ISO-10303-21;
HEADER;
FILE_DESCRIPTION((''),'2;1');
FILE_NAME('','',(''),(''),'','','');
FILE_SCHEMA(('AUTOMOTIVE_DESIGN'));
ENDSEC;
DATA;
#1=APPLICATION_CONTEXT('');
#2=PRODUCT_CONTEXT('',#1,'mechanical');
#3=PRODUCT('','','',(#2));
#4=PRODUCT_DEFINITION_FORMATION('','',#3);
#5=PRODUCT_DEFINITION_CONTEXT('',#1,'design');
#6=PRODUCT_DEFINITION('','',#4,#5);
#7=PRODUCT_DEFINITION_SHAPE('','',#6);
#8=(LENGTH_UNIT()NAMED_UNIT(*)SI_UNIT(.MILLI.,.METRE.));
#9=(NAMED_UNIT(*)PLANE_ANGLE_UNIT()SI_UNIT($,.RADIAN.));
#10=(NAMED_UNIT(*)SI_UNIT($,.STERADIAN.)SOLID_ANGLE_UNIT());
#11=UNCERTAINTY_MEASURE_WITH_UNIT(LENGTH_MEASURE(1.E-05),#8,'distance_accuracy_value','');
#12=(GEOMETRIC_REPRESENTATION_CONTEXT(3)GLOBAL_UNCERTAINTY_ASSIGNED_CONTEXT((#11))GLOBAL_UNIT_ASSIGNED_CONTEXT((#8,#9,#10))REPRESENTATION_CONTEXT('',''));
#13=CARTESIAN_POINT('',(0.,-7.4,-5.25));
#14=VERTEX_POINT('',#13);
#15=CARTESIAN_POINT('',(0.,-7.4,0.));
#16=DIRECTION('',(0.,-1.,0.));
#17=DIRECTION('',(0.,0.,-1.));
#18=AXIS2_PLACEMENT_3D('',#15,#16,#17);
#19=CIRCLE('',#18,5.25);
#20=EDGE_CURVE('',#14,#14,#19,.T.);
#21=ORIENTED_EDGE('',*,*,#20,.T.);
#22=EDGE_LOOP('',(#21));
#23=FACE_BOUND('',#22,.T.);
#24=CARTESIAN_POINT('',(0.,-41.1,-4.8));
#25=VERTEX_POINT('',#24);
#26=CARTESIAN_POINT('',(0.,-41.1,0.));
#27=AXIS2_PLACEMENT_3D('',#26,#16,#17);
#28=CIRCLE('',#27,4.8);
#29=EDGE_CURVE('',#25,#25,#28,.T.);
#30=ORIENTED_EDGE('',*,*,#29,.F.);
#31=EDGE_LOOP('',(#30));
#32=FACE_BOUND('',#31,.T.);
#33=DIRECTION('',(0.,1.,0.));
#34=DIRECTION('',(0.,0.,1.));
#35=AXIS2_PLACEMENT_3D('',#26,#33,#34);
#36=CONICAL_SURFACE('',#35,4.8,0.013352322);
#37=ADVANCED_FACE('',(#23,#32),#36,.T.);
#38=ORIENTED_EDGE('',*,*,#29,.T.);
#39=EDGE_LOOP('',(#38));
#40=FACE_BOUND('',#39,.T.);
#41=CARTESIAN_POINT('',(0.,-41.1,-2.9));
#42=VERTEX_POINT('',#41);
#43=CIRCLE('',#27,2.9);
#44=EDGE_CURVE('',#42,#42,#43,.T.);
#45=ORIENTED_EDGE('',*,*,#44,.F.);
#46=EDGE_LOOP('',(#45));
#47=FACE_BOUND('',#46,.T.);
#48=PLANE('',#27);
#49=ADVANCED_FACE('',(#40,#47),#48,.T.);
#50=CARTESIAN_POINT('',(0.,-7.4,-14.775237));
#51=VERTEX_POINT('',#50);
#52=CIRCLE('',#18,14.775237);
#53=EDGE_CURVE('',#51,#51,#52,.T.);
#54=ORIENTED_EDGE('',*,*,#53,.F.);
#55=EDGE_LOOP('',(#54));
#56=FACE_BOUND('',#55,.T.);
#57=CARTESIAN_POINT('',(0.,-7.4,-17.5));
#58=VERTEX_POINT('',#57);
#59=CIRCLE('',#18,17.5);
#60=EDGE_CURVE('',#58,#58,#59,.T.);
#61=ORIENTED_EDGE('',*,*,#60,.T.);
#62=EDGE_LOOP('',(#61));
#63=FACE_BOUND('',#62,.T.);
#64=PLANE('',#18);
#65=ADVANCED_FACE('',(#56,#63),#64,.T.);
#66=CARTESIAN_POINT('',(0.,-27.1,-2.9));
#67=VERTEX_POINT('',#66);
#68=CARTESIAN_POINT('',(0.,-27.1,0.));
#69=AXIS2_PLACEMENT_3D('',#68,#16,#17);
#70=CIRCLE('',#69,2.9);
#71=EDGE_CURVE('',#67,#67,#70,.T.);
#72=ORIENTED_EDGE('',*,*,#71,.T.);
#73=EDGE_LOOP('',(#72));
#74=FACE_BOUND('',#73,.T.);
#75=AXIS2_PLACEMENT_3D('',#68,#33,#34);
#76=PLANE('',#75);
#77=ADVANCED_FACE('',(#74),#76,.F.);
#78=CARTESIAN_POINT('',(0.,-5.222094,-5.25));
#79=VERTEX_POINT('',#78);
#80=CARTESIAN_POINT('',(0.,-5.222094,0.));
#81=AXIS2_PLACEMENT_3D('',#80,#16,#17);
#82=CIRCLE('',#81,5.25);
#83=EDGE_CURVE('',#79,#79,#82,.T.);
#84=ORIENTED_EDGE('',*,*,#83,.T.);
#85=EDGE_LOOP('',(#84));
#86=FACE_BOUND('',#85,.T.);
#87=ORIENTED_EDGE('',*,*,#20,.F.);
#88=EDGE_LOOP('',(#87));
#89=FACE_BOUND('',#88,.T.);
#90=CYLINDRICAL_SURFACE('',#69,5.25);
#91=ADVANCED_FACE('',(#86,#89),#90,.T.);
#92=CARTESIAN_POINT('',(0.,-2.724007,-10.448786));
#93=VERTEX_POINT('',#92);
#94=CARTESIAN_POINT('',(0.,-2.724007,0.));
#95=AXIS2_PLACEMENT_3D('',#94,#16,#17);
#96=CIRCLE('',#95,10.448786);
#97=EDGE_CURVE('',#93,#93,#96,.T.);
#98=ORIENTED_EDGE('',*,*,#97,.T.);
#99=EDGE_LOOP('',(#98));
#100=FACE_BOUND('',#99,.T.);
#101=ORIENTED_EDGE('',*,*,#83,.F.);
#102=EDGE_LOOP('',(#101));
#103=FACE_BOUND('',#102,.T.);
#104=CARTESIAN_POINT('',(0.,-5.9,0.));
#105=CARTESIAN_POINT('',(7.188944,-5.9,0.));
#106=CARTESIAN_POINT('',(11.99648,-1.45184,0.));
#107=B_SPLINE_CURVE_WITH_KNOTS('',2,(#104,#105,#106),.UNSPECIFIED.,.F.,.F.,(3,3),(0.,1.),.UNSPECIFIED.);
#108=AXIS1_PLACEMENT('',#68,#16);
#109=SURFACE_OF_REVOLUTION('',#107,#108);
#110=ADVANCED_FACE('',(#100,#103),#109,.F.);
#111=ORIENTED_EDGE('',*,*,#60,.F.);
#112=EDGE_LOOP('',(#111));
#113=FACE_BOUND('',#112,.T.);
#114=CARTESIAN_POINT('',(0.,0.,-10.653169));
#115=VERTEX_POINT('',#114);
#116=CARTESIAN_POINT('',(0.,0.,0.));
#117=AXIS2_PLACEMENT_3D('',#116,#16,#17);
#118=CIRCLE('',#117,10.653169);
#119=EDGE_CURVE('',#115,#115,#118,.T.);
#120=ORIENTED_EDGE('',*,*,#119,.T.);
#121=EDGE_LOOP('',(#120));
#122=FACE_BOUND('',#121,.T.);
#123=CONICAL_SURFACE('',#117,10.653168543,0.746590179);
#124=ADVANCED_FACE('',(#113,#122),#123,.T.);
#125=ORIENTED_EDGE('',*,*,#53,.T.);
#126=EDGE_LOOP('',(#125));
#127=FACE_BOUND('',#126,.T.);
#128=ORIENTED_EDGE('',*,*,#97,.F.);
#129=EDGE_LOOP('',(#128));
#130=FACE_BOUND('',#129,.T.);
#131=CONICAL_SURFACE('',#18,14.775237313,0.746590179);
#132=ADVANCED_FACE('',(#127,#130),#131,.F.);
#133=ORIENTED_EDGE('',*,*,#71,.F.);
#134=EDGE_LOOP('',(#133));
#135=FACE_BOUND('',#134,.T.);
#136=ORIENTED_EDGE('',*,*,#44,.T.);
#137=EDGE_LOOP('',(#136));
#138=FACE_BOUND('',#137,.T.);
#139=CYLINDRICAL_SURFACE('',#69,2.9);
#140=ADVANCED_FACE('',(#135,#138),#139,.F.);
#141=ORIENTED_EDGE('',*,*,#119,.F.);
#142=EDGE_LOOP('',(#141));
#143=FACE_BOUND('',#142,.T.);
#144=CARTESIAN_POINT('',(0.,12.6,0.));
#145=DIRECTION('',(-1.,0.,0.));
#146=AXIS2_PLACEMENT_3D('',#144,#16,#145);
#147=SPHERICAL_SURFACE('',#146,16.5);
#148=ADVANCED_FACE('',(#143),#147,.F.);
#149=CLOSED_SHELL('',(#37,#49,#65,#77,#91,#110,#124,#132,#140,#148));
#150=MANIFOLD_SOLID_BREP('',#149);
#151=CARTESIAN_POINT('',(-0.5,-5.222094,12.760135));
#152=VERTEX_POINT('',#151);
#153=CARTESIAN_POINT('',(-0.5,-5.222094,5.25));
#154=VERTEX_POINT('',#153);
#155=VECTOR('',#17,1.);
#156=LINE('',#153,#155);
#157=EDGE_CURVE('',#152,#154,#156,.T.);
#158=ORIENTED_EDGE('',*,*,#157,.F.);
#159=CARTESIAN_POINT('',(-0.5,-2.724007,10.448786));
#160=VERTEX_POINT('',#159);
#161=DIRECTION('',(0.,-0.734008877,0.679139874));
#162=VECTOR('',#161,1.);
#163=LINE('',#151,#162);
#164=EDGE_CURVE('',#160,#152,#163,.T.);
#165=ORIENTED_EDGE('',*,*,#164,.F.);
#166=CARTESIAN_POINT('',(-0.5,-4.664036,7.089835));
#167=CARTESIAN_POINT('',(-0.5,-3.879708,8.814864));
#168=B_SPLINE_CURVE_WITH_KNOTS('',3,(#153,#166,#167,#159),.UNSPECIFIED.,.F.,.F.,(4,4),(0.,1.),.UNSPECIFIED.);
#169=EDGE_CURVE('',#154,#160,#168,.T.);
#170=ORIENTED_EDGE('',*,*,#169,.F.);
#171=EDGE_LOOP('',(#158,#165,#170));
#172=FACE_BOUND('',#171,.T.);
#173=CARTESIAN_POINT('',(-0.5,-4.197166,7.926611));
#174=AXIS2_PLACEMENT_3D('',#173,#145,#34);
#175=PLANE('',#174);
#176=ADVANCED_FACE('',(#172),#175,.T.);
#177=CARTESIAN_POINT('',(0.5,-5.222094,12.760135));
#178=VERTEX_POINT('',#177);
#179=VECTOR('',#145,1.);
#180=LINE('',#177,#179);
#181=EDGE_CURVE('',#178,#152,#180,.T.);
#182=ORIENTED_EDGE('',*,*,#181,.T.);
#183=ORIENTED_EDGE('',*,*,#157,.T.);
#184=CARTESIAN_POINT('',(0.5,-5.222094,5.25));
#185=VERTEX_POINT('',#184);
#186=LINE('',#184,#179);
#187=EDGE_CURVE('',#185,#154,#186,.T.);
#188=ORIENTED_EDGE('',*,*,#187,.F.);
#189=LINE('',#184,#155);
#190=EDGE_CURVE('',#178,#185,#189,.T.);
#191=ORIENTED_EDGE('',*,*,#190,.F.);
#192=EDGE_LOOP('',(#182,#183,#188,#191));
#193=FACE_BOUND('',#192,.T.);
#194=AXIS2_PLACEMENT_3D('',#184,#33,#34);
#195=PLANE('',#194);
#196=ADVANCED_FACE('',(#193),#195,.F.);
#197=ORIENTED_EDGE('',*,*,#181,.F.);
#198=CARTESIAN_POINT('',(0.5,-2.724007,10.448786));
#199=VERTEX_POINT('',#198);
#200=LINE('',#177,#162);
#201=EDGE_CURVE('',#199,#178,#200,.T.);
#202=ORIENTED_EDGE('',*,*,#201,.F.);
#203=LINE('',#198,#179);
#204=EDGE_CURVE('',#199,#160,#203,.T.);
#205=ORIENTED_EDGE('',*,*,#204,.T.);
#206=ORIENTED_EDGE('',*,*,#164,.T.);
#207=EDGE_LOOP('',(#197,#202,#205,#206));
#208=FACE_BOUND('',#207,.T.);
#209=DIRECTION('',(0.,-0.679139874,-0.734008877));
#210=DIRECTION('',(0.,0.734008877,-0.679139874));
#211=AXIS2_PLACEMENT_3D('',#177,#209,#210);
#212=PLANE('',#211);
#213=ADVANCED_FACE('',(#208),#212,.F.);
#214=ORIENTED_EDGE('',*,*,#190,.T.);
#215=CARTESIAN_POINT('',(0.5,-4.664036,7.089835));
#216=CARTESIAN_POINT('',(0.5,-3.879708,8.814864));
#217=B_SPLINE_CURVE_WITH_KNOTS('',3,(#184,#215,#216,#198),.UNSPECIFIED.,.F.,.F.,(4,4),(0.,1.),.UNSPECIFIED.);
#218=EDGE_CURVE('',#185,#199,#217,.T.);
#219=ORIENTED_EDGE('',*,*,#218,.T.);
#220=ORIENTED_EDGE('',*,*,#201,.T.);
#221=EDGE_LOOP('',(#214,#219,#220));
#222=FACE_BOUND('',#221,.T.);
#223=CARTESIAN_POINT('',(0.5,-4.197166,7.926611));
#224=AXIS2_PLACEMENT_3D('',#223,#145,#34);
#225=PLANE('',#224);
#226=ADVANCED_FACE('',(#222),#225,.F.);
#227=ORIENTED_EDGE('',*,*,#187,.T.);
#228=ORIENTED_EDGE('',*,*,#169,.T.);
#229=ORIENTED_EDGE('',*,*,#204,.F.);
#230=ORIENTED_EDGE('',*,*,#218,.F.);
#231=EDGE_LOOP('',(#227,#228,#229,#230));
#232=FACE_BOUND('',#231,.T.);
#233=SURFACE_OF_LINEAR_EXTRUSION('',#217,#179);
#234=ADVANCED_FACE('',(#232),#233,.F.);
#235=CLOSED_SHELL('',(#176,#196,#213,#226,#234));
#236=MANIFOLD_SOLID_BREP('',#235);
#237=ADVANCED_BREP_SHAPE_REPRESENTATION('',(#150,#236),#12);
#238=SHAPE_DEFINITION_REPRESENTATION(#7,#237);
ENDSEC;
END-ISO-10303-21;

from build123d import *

# Parameters (mm, degrees)
BOSS_EXTRUDE4_DEPTH = 0.5


with BuildPart() as part:
    # Sketch1 → Revolve2 (revolve)
    with BuildSketch(Plane.XY, mode=Mode.PRIVATE) as revolve2_sk:
        with BuildLine():
            Line((2.9, -27.1), (2.9, -41.1))
            Line((2.9, -41.1), (4.8, -41.1))
            Line((4.8, -41.1), (5.25, -7.4))
            Line((5.25, -7.4), (5.25, -5.22209402))
            add(Edge.make_bspline(
                [(5.25, -5.22209402), (8.095465394, -4.432681121), (10.448786446, -2.724006935)],
                knots=[0.39038626, 0.39038626, 0.39038626, 0.844986099, 0.844986099, 0.844986099], degree=2))
            Line((10.448786446, -2.724006935), (14.775237313, -7.4))
            Line((14.775237313, -7.4), (17.5, -7.4))
            Line((17.5, -7.4), (10.653168543, 0))
            ThreePointArc((10.653168543, 0), (5.67230112, -2.89435381), (0, -3.9))
            Line((0, -3.9), (0, -27.1))
            Line((0, -27.1), (2.9, -27.1))
        make_face()
    revolve(revolve2_sk.sketch.rotate(Axis((0, -27.1, 0), (0, 1, 0)), 90), axis=Axis((0, -27.1, 0), (0, 1, 0)))


with BuildPart() as body_2:
    # Sketch3 → Boss-Extrude4 (new, symmetric)
    with BuildSketch(Plane(origin=(0, 0, 0), x_dir=(0, 0, -1), z_dir=(1, 0, 0))):
        with BuildLine():
            Line((-5.249999567, -5.222094021), (-12.760135263, -5.222094021))
            Line((-12.760135263, -5.222094021), (-10.448786446, -2.724006935))
            add(Edge.make_bspline(
                [(-10.448786446, -2.724006935), (-8.814864104, -3.879708006), (-7.089835359, -4.664035636), (-5.249999567, -5.222094021)],
                knots=[0, 0, 0, 0, 1, 1, 1, 1], degree=3))
        make_face()
    extrude(amount=BOSS_EXTRUDE4_DEPTH, both=True)


solid = Compound([part.part, body_2.part])
